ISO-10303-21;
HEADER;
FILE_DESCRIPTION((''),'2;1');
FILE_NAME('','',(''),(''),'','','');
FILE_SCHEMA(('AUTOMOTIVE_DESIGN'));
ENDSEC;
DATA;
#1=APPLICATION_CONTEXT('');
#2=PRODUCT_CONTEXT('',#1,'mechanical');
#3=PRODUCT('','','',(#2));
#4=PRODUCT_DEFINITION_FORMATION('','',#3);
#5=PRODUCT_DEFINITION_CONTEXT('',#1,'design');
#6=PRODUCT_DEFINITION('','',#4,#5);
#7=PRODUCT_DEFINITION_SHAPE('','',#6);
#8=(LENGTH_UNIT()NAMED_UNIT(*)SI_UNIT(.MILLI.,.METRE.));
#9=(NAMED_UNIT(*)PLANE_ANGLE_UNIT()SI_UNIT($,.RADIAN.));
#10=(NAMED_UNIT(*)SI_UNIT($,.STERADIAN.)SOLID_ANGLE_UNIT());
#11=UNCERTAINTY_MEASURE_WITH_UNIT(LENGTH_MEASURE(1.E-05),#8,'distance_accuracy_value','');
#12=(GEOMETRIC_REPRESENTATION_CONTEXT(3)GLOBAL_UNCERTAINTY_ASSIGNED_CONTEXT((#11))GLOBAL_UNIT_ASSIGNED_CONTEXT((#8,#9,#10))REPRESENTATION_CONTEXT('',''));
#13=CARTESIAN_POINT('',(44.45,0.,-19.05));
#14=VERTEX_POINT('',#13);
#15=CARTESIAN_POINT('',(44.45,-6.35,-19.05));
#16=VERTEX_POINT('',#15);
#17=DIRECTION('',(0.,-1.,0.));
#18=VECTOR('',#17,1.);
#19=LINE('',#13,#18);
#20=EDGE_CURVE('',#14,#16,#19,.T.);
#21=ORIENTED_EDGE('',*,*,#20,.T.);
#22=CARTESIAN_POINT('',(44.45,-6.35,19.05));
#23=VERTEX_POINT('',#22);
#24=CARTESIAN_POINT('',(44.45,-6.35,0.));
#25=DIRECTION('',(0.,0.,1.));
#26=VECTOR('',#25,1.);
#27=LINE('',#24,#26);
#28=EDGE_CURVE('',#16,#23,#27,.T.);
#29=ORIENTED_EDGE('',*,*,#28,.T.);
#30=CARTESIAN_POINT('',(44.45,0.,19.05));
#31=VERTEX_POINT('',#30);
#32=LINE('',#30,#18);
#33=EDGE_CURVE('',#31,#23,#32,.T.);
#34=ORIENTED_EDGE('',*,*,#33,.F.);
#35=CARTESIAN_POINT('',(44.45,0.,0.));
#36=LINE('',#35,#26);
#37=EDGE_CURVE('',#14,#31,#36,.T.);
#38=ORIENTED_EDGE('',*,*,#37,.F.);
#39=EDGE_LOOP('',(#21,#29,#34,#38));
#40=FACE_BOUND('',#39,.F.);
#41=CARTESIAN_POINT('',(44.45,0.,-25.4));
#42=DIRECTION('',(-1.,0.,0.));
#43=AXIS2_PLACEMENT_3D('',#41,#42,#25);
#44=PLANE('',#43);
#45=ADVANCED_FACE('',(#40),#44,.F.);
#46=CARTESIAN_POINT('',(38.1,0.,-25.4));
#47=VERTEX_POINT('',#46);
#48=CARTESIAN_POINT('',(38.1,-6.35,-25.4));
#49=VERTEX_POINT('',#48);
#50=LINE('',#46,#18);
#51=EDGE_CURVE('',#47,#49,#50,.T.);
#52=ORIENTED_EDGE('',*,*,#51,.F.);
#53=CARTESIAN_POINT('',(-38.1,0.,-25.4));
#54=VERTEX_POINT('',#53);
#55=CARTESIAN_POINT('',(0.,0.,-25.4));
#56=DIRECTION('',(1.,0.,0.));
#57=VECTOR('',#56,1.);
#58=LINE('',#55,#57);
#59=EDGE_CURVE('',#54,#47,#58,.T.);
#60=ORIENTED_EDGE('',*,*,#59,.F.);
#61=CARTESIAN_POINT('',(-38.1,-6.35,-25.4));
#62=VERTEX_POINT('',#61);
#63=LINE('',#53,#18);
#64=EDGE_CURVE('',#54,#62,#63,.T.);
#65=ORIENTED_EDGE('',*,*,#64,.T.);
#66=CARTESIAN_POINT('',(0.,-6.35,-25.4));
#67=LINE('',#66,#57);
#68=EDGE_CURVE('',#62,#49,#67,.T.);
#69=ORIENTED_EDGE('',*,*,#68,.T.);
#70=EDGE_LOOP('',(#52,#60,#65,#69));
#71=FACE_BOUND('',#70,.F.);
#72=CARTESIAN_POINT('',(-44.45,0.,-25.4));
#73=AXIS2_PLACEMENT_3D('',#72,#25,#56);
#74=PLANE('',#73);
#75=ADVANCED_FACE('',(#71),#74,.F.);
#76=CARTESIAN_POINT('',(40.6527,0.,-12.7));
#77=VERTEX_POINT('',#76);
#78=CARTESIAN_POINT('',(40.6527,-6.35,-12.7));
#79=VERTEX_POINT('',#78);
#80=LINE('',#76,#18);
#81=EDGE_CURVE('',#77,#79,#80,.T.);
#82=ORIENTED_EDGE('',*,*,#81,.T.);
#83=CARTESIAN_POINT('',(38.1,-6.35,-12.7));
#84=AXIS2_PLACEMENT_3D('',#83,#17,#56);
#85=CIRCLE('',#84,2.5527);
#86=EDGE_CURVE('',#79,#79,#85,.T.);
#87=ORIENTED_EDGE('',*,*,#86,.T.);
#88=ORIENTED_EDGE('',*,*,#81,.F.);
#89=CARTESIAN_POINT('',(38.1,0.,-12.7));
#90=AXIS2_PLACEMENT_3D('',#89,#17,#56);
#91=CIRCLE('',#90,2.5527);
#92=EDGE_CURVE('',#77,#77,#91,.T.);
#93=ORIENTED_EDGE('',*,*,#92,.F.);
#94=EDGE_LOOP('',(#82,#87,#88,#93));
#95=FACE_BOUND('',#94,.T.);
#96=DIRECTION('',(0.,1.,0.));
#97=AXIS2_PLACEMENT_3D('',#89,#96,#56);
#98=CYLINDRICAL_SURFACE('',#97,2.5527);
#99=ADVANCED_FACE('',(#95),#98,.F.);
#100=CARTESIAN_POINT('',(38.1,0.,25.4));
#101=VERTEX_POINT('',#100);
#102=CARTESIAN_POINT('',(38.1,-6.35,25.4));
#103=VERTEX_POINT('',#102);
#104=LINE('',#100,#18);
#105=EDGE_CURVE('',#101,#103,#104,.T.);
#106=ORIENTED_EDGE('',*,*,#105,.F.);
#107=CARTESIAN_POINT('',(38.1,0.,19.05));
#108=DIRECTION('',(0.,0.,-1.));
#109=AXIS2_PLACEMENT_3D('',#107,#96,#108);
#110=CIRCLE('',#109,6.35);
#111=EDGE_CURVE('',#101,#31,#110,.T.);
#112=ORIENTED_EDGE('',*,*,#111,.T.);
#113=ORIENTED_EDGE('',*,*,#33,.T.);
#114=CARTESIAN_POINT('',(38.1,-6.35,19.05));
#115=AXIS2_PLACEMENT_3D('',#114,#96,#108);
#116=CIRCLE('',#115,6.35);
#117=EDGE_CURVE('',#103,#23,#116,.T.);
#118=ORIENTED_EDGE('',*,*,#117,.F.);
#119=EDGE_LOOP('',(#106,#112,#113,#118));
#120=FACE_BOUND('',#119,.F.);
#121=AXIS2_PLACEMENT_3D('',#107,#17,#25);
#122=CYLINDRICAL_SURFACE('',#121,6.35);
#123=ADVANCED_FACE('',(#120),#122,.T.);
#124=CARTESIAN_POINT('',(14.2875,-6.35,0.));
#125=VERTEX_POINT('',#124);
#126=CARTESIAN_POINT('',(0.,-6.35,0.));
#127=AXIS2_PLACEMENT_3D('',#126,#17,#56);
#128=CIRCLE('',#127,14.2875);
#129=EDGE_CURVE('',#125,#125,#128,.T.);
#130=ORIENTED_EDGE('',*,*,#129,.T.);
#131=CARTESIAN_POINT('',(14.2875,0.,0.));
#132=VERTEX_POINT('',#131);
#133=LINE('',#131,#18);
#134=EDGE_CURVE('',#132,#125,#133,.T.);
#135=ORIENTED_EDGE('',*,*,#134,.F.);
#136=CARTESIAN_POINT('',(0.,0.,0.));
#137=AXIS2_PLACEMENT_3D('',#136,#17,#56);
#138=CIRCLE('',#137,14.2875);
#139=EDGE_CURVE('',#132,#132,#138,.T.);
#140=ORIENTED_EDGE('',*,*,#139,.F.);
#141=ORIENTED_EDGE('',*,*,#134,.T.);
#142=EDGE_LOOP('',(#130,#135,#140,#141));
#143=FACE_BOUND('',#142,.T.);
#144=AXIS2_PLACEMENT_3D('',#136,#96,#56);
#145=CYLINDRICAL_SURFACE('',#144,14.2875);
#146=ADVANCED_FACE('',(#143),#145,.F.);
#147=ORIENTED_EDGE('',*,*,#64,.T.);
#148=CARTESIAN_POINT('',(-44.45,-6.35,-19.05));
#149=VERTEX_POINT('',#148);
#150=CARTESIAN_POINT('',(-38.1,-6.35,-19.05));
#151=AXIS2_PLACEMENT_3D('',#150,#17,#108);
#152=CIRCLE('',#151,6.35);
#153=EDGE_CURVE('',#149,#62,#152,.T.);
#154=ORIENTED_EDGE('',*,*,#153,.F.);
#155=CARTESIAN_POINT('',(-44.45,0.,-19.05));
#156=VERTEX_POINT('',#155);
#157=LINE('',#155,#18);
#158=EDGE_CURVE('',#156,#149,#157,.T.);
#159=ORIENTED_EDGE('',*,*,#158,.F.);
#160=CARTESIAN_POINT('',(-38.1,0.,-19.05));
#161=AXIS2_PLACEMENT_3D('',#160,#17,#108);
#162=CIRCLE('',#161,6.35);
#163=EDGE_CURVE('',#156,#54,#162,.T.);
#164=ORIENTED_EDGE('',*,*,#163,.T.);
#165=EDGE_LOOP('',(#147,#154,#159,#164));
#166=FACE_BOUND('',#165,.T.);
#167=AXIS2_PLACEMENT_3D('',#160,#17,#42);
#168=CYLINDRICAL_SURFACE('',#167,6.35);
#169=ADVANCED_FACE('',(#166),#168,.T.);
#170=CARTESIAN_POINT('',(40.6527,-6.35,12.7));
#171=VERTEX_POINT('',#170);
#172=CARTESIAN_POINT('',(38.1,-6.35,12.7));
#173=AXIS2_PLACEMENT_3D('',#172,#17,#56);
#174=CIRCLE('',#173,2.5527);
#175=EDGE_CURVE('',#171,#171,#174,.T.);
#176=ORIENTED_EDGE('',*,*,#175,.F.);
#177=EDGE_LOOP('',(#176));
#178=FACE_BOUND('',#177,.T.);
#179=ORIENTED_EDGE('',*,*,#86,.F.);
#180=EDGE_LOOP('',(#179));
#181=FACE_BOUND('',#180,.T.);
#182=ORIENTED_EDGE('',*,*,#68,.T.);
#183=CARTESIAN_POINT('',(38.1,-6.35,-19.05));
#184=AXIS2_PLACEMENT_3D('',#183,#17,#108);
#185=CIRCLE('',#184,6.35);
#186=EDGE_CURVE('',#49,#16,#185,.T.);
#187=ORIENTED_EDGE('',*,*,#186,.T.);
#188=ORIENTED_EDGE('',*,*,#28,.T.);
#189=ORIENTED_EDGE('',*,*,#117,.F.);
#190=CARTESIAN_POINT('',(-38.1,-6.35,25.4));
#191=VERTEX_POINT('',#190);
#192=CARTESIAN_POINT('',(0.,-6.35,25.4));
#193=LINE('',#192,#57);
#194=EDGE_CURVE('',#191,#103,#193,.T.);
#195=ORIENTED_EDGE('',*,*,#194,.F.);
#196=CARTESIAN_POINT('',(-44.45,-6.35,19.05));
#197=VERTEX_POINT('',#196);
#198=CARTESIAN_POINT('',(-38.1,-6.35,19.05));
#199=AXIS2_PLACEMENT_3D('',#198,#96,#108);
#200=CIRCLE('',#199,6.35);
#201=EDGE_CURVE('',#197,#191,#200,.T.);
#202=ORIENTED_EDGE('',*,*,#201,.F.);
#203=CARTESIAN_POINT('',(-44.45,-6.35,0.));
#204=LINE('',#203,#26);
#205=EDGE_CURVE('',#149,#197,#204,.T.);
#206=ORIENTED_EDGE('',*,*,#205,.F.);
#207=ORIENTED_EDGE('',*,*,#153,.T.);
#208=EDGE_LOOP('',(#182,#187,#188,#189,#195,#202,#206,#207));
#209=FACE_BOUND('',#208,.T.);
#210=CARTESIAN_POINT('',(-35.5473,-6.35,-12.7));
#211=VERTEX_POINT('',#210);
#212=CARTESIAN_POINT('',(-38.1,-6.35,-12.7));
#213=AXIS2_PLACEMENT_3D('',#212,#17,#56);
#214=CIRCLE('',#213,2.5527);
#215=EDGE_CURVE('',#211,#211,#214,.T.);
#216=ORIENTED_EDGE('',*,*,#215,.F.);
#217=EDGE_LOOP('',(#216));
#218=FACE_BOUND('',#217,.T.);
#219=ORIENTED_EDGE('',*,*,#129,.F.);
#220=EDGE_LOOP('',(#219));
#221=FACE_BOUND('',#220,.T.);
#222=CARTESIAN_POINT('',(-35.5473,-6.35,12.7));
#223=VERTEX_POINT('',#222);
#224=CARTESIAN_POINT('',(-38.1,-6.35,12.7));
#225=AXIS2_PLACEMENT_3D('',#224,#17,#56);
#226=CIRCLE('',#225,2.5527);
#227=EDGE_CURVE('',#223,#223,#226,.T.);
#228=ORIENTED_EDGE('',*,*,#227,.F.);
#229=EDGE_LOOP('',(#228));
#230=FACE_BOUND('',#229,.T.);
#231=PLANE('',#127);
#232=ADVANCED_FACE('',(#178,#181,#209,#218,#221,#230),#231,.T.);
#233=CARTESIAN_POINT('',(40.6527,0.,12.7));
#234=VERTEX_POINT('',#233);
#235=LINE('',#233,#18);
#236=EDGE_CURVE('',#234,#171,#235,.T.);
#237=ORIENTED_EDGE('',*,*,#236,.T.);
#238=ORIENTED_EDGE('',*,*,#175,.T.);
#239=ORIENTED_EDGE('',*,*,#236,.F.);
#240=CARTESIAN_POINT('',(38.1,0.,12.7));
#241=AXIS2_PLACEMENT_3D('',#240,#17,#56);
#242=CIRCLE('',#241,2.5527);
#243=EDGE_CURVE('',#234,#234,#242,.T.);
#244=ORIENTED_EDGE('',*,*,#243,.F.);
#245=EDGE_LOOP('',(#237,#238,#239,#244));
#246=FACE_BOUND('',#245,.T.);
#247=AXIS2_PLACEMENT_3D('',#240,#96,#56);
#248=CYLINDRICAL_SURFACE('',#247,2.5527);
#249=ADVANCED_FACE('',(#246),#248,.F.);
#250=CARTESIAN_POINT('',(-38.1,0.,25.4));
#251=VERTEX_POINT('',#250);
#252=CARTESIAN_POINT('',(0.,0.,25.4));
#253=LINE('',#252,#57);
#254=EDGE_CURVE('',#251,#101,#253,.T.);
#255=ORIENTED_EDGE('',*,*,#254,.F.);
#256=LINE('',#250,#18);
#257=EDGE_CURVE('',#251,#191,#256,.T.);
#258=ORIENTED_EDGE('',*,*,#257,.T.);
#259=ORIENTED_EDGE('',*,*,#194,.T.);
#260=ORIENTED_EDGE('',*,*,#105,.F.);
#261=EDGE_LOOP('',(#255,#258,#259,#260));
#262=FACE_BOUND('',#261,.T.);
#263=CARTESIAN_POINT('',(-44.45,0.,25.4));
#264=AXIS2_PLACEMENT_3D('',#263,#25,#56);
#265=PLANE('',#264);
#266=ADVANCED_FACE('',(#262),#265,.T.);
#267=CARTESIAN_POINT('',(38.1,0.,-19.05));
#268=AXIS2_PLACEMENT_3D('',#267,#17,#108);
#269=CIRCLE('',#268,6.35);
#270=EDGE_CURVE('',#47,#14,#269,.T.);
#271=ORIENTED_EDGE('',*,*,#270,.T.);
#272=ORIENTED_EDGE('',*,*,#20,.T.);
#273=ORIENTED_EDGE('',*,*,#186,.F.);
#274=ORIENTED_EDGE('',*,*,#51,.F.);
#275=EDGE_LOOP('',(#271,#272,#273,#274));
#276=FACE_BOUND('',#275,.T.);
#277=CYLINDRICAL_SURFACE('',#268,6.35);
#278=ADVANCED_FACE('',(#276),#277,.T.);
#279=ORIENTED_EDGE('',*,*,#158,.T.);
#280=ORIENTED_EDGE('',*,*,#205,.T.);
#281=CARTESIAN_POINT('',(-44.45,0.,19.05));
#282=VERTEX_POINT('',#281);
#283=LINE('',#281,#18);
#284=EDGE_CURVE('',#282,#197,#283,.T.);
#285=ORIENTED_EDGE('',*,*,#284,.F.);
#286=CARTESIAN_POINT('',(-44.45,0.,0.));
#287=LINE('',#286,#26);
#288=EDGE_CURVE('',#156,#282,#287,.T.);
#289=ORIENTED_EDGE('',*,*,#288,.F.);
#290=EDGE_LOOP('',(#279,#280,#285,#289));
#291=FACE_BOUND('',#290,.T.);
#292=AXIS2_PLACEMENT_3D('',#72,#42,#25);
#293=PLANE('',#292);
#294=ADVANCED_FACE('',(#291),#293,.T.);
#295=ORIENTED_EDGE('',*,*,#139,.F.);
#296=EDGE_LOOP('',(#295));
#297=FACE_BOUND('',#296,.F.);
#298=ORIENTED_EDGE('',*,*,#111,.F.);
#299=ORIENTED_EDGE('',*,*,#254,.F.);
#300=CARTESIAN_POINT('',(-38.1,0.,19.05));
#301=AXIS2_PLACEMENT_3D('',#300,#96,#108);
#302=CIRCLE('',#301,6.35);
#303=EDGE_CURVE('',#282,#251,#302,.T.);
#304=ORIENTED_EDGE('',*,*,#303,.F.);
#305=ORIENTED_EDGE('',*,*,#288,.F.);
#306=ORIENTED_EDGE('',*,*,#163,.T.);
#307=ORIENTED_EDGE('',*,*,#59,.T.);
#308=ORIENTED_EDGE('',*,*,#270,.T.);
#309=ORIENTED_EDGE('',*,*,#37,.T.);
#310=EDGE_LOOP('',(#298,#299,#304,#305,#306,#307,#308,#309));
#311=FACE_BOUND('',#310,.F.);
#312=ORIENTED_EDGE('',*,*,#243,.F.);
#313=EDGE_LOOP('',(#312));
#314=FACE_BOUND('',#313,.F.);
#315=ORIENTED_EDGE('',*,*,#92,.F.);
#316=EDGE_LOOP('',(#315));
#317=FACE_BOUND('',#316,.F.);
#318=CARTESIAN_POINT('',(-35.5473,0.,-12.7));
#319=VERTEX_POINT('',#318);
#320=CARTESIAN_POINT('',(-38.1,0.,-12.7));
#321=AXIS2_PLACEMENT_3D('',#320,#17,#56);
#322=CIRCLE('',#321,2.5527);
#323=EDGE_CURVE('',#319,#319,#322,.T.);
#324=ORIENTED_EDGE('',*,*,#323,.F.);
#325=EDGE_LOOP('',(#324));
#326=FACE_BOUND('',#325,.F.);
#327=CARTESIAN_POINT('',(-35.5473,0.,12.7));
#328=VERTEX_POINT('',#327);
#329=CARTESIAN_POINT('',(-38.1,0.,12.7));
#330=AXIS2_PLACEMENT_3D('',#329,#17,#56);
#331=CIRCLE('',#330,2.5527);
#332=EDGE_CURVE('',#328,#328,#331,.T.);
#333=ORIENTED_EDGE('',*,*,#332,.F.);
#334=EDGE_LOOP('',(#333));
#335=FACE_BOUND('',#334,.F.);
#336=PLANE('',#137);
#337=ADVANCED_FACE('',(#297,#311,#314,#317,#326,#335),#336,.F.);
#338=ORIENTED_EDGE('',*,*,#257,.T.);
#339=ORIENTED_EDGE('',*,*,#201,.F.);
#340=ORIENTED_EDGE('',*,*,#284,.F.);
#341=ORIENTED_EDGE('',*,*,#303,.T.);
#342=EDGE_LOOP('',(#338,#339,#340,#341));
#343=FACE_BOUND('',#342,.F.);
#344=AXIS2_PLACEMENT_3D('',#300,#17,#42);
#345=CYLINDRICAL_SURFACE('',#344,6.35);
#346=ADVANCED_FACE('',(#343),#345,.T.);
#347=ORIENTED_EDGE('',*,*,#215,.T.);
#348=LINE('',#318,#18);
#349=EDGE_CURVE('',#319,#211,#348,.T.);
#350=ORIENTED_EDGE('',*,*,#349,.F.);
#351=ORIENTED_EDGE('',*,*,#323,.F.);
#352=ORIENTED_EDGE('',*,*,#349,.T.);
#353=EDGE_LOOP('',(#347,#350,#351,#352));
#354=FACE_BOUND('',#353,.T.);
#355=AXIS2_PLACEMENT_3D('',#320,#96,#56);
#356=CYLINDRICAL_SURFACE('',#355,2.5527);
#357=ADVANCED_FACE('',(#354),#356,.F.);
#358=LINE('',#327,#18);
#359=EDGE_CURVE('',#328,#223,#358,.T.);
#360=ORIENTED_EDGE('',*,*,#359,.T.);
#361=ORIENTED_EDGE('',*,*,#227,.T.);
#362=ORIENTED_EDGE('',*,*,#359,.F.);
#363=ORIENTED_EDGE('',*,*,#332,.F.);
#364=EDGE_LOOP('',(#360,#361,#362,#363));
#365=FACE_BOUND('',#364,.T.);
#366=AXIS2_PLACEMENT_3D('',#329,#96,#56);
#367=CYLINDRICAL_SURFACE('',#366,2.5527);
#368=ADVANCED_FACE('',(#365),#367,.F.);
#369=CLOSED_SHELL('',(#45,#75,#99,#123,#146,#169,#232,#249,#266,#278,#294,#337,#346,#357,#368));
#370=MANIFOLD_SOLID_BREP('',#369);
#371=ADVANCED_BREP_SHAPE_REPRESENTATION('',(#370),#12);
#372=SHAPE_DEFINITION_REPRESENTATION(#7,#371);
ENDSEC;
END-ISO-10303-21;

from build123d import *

# Parameters (mm, degrees)
F0_W     = 88.9
F0_H     = 50.8
F0_R     = 2.5527
F0_R_2   = 14.2875
F1_DEPTH = 6.35
F2_R     = 6.35


with BuildPart() as f1:
    # F0 (on Front) → F1 (new body)
    with BuildSketch(Plane.XZ):
        Rectangle(F0_W, F0_H)
        with Locations((-38.1, -12.7)):
            Circle(F0_R, mode=Mode.SUBTRACT)
        with Locations((38.1, -12.7)):
            Circle(F0_R, mode=Mode.SUBTRACT)
        Circle(F0_R_2, mode=Mode.SUBTRACT)
        with Locations((-38.1, 12.7)):
            Circle(F0_R, mode=Mode.SUBTRACT)
        with Locations((38.1, 12.7)):
            Circle(F0_R, mode=Mode.SUBTRACT)
    extrude(amount=F1_DEPTH)

    # F2
    f2_edges = [f1.edges().sort_by_distance(p)[0] for p in [
        (-44.45, -3.175, 25.4),
        (-44.45, -3.175, -25.4),
        (44.45, -3.175, -25.4),
        (44.45, -3.175, 25.4),
    ]]
    fillet(f2_edges, radius=F2_R)


solid = f1.part
